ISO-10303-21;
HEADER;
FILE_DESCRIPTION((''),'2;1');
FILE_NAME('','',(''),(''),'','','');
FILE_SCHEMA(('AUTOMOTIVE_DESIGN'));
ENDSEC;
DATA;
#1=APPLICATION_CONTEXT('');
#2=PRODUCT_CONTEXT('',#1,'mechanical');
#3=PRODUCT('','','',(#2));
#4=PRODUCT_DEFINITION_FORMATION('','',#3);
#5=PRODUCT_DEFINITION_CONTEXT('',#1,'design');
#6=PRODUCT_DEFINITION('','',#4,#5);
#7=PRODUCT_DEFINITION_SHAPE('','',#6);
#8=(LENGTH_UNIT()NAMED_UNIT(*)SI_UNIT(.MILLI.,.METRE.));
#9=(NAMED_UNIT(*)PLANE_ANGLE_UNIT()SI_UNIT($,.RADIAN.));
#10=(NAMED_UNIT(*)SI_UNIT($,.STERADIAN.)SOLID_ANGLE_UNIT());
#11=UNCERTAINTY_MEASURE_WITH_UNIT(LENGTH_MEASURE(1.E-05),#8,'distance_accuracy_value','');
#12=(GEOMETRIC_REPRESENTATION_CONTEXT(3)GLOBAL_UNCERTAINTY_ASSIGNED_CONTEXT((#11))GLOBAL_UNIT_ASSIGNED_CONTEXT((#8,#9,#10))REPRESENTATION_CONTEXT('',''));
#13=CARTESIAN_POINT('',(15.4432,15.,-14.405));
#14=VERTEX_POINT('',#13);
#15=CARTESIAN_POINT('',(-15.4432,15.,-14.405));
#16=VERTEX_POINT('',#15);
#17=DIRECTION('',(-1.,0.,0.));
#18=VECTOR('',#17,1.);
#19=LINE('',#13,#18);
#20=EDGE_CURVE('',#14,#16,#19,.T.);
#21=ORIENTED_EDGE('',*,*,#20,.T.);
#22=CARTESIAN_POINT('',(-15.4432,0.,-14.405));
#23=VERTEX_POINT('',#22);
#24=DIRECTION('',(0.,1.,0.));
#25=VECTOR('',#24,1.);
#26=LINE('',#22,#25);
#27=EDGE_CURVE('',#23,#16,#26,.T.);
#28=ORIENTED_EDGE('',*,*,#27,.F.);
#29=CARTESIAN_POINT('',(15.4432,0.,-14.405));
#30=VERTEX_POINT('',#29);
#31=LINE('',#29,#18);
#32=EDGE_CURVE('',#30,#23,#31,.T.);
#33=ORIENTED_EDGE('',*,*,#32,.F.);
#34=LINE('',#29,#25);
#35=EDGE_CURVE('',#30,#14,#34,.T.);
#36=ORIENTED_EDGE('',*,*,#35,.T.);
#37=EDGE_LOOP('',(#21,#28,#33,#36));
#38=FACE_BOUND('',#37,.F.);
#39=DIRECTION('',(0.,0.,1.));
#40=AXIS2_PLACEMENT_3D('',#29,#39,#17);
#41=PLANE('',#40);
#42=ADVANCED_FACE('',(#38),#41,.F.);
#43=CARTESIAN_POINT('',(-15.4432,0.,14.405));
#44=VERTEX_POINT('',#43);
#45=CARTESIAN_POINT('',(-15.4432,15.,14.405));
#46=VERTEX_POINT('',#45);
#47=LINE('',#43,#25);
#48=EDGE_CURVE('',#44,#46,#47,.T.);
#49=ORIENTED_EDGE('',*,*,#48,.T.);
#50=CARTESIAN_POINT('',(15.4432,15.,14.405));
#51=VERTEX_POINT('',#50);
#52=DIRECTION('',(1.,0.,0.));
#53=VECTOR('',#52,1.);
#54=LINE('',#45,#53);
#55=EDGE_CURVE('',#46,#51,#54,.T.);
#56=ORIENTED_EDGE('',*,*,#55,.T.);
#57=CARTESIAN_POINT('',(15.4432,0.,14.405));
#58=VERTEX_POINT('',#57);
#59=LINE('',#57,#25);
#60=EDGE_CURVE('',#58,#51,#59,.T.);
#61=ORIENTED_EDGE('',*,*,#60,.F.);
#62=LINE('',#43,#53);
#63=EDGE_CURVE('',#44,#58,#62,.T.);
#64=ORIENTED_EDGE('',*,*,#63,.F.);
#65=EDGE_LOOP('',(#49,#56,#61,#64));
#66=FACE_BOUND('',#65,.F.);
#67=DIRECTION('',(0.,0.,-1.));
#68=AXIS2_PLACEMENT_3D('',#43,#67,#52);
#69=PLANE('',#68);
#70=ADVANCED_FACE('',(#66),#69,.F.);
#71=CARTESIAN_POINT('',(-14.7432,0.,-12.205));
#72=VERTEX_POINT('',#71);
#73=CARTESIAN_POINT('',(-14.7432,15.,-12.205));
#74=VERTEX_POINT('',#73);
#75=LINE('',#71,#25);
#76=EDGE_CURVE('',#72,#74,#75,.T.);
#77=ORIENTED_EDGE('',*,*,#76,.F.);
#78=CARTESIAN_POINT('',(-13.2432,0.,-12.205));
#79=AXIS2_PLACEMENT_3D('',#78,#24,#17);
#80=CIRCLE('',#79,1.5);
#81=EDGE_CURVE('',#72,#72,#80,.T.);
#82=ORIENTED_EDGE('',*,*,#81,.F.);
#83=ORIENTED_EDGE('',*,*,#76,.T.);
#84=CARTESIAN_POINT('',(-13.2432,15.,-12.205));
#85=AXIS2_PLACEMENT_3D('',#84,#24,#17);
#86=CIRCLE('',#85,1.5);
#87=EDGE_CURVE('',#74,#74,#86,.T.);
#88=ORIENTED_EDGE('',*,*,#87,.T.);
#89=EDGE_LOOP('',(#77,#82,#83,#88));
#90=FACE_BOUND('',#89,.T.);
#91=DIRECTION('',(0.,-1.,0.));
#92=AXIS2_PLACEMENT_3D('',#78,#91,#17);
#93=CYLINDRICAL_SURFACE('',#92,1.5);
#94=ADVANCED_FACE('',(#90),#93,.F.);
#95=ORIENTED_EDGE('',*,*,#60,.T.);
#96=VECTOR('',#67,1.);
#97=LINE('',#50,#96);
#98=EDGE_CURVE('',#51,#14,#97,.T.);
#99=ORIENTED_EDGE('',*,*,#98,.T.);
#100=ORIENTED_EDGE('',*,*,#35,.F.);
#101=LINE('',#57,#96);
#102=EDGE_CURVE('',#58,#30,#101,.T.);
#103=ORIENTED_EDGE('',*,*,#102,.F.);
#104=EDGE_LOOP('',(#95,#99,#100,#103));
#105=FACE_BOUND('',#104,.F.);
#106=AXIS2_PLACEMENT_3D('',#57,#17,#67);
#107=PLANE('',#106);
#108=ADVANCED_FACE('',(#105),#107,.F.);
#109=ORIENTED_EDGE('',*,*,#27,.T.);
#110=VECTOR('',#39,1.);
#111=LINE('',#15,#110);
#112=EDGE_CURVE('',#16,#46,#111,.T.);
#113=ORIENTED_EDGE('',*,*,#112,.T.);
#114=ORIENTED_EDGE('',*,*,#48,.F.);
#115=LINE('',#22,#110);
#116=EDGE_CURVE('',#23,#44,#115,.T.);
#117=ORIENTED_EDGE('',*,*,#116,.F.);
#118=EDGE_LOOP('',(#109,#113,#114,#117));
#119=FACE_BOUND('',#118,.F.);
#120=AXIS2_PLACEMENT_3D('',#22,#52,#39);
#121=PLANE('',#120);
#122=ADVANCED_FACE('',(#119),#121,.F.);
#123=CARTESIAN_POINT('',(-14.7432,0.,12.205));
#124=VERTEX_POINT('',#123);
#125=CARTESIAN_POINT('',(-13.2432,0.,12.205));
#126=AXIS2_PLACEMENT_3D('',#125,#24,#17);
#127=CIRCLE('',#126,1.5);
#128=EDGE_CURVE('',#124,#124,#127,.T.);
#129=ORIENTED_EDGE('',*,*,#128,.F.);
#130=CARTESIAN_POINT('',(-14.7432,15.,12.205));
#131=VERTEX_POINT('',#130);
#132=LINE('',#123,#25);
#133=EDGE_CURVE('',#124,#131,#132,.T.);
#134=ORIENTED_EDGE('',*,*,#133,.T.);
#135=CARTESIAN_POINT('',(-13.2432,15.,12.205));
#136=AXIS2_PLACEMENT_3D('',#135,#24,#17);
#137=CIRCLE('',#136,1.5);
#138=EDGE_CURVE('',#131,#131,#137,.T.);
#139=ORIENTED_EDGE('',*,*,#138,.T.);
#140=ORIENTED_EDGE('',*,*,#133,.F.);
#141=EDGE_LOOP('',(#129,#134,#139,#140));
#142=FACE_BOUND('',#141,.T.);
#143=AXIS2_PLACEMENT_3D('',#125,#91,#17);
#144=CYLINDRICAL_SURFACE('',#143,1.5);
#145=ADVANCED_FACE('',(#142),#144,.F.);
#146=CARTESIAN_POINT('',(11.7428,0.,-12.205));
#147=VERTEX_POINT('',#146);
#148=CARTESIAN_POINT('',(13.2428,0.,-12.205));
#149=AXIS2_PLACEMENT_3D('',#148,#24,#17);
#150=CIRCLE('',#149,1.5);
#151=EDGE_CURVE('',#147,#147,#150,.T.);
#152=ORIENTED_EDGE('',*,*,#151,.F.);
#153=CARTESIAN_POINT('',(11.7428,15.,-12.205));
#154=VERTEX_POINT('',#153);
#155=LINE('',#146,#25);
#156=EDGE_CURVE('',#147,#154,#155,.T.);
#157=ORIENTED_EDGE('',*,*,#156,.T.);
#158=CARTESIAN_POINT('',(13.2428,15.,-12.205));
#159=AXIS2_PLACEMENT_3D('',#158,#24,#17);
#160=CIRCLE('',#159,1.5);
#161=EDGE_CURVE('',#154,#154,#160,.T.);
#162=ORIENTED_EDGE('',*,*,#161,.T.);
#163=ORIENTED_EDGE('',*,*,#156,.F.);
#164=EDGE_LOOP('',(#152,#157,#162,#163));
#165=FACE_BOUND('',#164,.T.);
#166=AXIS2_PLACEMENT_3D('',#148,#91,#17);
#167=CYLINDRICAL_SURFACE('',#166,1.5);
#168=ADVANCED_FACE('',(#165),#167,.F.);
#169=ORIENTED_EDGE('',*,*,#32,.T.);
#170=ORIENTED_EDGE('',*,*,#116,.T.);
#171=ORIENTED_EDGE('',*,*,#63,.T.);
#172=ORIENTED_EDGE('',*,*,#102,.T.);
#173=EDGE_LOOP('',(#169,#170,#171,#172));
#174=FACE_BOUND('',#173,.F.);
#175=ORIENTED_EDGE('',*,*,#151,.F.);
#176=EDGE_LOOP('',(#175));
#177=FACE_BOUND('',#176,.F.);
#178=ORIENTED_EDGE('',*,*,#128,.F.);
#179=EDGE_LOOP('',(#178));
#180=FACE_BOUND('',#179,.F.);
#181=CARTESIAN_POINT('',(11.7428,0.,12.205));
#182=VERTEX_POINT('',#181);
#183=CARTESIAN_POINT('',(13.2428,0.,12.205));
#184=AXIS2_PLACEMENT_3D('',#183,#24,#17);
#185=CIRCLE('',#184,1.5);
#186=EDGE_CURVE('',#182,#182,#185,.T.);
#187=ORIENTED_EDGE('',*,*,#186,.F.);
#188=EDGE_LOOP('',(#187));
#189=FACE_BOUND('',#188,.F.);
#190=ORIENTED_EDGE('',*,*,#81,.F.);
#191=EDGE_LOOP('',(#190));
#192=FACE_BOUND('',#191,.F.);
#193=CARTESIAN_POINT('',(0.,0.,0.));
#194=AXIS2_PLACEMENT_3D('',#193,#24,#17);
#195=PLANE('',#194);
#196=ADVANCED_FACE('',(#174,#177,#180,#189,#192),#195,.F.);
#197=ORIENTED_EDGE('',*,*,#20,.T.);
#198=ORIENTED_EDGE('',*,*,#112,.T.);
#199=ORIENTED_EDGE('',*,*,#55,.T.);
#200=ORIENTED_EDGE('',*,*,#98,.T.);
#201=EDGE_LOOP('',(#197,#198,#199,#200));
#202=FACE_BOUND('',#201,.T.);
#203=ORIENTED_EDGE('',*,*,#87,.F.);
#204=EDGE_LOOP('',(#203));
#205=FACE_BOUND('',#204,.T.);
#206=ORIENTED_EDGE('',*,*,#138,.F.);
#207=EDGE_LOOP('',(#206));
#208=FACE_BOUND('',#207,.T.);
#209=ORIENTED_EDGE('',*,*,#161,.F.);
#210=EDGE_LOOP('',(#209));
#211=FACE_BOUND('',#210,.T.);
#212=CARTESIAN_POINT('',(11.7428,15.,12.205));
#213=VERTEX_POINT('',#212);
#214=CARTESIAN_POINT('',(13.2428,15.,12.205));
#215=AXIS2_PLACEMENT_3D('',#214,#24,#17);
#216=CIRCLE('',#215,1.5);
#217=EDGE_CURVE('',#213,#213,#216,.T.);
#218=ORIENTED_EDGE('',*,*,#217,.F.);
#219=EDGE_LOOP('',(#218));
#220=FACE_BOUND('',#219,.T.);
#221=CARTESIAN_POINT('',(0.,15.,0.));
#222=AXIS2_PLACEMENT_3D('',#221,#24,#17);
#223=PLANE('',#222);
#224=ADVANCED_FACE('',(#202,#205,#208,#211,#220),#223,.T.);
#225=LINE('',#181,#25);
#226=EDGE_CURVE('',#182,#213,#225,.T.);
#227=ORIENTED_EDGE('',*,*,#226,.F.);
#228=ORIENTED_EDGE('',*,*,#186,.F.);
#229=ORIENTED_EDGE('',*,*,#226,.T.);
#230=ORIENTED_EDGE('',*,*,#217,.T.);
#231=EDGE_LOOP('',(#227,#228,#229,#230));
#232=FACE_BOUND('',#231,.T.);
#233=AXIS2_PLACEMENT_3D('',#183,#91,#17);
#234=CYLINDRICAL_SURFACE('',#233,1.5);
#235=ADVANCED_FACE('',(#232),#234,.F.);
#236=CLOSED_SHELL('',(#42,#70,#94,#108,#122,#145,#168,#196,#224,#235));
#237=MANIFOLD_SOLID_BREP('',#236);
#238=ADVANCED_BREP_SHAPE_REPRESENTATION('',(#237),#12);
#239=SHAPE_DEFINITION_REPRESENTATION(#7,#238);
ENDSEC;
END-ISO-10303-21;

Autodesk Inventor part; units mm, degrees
ref_plane "YZ Plane" through (0, 0, 0) normal (1, 0, 0) x (0, 1, 0)
ref_plane "XZ Plane" through (0, 0, 0) normal (0, 1, 0) x (-1, 0, 0)
ref_plane "XY Plane" through (0, 0, 0) normal (0, 0, 1) x (1, 0, 0)
sketch "Sketch1" plane through (0, 0, 0) normal (0, 1, 0) x (-1, 0, 0)
  line L0 (15.4432, 14.405) -> (-15.4432, 14.405)
  line L1 (-15.4432, 14.405) -> (-15.4432, -14.405)
  line L2 (-15.4432, -14.405) -> (15.4432, -14.405)
  line L3 (15.4432, -14.405) -> (15.4432, 14.405)
  circle A0 centre (13.2432, -12.205) radius 1.5
  circle A1 centre (13.2432, 12.205) radius 1.5
  circle A2 centre (-13.2428, -12.205) radius 1.5
  circle A3 centre (-13.2428, 12.205) radius 1.5
  point P0 (0, 0)
  dimension "d0" = 30.8864
  dimension "d1" = 28.81
  dimension "d2" = 3
  dimension "d6" = 2.2
  dimension "d7" = 2.2
  dimension "d16" = 24.41
  dimension "d19" = 26.486
extrude "Extrusion1" add sketch "Sketch1" along normal blind 15
sketch "Sketch2" plane through (0, 0, 0) normal (0, -1, 0) x (1, 0, 0)
  circle A0 centre (13.2428, 12.205) radius 1.5 projected
  circle A1 centre (13.2428, -12.205) radius 1.5 projected
  circle A2 centre (-13.2432, 12.205) radius 1.5 projected
  circle A3 centre (-13.2432, -12.205) radius 1.5 projected
  line L0 (-15.4432, 14.405) -> (15.4432, 14.405) projected
  line L1 (-15.4432, -14.405) -> (-15.4432, 14.405) projected
  line L2 (15.4432, -14.405) -> (-15.4432, -14.405) projected
  line L3 (15.4432, 14.405) -> (15.4432, -14.405) projected
  circle A4 centre (13.2428, -12.205) radius 1.5 projected
  line L4 (13.2428, -12.205) -> (-13.2432, 12.205)
  circle A5 centre (-13.2432, -12.205) radius 1.5 projected
  line L5 (13.2428, 12.205) -> (-13.2432, -12.205)
  point P0 (0, 0)
sketch "Sketch3" plane through (0, 15, 0) normal (0, 1, 0) x (1, 0, 0)
  circle A0 centre (13.2428, -12.205) radius 1.5 projected
  circle A1 centre (13.2428, 12.205) radius 1.5 projected
  circle A2 centre (-13.2432, -12.205) radius 1.5 projected
  circle A3 centre (-13.2432, 12.205) radius 1.5 projected
  line L0 (-15.4432, -14.405) -> (15.4432, -14.405) projected
  line L1 (15.4432, -14.405) -> (15.4432, 14.405) projected
  line L2 (15.4432, 14.405) -> (-15.4432, 14.405) projected
  line L3 (-15.4432, 14.405) -> (-15.4432, -14.405) projected
  line L4 (23.1035, -2.0134) -> (-26.5318, -2.0134) construction
  line L5 (-26.5318, -2.0134) -> (-26.5318, 1.4328) construction
  line L6 (-26.5318, 1.4328) -> (23.1035, 1.4328) construction
  line L7 (23.1035, 1.4328) -> (23.1035, -2.0134) construction
  point P0 (0, 0)
properties part number "SoundDetectBaru"
